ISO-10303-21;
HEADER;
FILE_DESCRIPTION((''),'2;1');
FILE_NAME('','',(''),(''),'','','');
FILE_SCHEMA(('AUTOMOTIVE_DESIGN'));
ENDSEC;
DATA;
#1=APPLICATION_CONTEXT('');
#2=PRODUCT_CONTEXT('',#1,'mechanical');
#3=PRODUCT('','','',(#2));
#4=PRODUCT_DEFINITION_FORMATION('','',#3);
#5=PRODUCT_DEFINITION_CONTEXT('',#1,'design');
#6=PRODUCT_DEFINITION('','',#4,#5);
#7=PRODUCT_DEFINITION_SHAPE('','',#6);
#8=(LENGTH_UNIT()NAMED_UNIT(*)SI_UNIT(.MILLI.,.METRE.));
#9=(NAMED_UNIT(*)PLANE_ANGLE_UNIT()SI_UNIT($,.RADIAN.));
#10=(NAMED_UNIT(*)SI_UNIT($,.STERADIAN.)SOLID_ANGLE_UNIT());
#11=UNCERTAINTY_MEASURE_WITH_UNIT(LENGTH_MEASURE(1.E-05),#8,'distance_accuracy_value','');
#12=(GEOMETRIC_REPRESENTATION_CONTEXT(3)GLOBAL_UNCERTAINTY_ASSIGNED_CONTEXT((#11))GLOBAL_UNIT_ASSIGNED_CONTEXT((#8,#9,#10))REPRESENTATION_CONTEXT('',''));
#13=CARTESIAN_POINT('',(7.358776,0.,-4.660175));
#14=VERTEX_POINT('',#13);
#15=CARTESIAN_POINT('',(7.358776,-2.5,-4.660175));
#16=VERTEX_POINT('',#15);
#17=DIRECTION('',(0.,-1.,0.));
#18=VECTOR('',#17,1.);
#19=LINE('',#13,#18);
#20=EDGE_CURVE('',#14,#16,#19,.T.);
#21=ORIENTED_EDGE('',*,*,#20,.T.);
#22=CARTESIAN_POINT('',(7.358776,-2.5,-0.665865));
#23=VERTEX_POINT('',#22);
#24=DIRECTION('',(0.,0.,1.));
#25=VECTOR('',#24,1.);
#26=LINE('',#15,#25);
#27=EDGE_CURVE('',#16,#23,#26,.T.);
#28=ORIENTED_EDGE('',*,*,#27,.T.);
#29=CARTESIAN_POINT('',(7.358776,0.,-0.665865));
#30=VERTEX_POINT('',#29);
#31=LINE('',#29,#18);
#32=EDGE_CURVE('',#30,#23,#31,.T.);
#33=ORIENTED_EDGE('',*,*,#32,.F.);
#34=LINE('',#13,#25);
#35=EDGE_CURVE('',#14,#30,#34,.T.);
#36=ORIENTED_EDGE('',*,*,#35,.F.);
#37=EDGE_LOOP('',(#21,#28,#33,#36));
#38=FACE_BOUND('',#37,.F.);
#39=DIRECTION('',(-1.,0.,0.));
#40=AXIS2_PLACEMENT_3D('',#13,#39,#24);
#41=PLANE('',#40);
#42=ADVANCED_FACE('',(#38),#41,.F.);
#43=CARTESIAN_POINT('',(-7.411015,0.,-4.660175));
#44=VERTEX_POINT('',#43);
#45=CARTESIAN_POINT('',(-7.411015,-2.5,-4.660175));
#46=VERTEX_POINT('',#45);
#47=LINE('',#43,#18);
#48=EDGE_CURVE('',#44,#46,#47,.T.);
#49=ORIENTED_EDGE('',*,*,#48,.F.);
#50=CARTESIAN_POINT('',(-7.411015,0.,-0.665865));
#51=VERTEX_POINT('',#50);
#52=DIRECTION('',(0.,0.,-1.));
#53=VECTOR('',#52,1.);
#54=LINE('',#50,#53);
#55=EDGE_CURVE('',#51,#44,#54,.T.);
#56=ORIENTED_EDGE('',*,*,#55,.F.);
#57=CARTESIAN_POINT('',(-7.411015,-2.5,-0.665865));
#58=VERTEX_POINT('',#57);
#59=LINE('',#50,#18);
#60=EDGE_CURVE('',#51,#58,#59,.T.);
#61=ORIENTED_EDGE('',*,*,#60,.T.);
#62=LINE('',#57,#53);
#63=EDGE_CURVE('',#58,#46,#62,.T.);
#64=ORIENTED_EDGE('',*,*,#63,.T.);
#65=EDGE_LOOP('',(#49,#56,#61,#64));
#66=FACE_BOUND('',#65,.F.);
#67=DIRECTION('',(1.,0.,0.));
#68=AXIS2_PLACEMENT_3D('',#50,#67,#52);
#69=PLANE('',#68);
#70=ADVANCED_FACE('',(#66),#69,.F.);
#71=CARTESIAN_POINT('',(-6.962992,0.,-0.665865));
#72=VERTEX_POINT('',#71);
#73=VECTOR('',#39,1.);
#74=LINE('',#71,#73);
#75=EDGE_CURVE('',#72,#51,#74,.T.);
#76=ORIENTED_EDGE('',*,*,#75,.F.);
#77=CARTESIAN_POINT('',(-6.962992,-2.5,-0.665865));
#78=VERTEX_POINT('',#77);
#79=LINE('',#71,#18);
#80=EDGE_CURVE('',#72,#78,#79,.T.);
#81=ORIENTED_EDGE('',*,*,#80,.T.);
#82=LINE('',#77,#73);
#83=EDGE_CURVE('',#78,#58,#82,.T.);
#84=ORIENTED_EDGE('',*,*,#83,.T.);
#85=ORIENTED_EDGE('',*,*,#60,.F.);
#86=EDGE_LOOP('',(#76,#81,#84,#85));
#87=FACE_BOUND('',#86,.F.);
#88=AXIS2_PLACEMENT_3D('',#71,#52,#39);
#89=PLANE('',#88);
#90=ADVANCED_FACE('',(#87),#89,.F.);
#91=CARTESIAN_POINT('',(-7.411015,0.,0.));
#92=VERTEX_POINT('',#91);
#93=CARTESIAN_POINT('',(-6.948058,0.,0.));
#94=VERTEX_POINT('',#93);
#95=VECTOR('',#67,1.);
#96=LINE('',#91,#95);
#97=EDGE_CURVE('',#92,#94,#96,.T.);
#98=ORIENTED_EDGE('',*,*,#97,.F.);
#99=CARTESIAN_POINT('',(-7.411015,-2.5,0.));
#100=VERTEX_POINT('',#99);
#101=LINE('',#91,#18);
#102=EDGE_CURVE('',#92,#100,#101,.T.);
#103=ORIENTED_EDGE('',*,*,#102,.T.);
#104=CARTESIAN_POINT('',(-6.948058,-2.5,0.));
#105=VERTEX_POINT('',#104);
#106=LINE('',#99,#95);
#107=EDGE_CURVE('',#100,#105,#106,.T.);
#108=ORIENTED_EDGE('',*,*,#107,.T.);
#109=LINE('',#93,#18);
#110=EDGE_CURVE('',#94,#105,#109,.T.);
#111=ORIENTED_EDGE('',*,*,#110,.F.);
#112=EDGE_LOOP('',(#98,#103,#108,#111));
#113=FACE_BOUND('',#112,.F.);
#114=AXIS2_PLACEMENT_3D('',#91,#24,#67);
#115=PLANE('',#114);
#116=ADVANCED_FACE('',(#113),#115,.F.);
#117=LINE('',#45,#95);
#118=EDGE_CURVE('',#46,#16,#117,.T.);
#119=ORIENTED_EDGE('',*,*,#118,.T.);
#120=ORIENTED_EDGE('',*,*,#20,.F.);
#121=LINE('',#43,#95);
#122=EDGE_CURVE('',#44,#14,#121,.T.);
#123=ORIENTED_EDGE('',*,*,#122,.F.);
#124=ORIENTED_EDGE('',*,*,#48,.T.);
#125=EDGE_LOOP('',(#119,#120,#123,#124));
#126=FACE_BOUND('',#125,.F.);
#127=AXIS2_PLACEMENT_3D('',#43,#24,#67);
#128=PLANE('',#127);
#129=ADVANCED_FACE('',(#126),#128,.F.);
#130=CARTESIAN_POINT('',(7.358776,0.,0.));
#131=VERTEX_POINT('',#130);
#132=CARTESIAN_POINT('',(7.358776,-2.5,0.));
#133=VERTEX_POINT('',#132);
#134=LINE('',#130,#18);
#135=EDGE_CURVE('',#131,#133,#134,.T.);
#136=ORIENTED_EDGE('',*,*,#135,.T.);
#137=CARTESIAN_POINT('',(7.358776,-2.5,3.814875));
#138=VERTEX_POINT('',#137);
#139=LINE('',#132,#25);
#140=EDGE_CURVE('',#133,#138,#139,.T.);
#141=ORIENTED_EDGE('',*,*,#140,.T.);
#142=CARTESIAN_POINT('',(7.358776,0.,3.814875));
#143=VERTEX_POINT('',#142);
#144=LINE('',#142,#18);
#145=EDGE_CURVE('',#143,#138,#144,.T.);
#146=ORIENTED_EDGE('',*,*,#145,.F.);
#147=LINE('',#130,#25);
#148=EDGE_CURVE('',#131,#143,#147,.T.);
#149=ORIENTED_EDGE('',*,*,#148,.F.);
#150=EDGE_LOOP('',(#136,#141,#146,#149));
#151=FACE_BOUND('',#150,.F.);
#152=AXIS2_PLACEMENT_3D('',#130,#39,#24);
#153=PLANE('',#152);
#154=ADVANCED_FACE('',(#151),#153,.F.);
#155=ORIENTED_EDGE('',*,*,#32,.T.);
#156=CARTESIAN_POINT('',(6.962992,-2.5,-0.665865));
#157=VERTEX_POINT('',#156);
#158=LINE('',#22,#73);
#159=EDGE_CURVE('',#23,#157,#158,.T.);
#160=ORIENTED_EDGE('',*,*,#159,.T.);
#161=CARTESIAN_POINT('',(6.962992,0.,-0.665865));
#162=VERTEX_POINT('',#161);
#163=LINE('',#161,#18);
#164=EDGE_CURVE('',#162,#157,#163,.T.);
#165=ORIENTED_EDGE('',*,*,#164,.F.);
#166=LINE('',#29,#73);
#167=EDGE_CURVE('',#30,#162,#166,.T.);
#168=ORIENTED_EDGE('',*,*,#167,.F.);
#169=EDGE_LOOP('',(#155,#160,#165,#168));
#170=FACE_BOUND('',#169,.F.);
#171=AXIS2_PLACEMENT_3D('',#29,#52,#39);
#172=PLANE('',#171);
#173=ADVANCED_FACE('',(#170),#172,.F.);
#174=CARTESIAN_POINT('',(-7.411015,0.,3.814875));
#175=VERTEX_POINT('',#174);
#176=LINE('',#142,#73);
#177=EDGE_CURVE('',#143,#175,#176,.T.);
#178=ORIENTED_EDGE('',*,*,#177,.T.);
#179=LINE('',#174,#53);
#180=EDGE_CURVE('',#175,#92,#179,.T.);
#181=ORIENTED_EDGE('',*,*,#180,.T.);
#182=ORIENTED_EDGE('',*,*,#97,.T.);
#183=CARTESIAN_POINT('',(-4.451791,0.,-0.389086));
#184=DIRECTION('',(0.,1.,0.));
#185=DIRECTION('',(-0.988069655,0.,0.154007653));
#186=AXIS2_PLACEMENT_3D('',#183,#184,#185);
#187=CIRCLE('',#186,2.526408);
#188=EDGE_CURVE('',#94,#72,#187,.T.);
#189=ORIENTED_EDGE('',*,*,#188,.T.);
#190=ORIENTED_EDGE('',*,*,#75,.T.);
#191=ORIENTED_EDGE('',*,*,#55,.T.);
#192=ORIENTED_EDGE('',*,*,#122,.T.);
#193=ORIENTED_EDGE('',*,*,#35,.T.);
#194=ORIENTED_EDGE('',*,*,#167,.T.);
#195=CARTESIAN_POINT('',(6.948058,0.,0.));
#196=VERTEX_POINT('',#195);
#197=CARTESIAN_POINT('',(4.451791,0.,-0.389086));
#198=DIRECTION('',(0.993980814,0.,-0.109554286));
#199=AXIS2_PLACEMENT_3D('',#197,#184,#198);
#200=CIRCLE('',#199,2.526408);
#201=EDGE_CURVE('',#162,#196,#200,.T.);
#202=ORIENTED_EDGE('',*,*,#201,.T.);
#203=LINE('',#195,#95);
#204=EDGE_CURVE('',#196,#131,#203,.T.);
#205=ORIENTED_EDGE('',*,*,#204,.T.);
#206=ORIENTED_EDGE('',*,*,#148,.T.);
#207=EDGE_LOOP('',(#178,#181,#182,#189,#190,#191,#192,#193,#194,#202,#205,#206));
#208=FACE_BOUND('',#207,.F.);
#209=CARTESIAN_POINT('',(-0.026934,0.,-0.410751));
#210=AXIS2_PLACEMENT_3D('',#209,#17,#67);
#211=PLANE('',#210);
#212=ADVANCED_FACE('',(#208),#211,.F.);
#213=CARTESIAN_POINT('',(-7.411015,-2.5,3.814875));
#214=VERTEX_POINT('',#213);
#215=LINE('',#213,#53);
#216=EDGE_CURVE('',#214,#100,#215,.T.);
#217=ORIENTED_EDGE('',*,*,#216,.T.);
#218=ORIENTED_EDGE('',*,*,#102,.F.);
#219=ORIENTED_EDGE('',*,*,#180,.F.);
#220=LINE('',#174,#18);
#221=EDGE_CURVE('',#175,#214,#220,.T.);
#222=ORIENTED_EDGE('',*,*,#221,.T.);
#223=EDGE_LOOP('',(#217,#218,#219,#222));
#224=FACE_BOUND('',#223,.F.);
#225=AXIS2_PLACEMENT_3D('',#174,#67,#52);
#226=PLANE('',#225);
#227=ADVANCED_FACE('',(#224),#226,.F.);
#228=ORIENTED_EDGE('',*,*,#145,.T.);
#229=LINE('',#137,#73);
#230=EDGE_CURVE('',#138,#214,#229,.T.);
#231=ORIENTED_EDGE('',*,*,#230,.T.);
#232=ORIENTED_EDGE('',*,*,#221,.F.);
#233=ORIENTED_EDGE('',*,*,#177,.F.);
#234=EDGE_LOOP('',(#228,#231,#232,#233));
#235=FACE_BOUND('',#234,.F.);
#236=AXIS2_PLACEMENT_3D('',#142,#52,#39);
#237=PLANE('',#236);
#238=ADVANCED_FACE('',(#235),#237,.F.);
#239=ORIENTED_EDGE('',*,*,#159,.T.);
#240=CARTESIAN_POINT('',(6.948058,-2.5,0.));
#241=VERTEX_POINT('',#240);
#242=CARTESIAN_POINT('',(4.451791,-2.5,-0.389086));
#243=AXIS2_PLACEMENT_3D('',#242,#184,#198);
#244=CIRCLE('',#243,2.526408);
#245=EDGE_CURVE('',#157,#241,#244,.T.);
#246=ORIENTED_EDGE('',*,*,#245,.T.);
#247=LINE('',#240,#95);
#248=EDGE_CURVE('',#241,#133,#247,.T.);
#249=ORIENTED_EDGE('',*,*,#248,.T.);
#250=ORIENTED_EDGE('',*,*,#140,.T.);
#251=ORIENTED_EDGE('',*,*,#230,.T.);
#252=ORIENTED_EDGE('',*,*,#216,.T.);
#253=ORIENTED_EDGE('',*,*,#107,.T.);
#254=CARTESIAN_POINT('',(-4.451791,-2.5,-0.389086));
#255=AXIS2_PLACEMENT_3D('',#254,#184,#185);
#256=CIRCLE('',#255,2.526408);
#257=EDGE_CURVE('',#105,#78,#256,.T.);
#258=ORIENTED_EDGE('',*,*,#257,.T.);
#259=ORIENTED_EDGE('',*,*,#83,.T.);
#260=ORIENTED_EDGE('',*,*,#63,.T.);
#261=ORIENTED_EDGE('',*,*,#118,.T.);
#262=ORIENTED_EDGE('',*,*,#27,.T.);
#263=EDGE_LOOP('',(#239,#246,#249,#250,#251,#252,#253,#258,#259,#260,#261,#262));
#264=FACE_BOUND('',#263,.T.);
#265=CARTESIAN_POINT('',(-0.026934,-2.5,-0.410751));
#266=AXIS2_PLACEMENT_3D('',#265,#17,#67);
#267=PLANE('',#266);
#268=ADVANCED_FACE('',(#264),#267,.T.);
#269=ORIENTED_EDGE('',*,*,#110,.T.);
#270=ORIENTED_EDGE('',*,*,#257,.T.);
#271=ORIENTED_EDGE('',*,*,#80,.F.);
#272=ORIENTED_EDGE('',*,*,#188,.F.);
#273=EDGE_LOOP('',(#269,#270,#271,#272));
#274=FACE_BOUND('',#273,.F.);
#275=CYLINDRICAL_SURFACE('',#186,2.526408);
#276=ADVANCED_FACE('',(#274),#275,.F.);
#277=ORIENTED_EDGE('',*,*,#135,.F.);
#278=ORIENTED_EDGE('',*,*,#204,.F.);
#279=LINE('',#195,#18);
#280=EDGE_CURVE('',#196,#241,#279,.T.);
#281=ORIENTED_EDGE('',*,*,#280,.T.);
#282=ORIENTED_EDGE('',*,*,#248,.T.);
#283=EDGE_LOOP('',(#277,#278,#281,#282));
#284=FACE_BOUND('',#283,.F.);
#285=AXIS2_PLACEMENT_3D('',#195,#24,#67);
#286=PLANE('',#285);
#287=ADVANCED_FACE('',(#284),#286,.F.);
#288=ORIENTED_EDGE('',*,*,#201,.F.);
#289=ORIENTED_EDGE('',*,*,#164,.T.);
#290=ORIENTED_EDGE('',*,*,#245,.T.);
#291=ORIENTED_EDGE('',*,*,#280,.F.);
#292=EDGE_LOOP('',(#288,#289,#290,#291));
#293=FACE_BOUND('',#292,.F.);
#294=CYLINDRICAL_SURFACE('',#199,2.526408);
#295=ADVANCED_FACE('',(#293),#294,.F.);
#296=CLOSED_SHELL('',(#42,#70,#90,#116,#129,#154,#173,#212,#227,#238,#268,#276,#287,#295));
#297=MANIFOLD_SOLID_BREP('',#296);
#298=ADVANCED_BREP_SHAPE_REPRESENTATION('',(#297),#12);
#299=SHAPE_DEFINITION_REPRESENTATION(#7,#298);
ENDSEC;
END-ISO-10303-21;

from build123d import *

# Parameters (mm, degrees)
F1_DEPTH = 2.5


with BuildPart() as f1:
    # F0 (on Front) → F1 (new body)
    with BuildSketch(Plane.XZ):
        with BuildLine():
            ThreePointArc((-6.948058, 0), (-1.926018, -0.445733), (-6.962992, -0.665865))
            Line((-6.962992, -0.665865), (-7.411015, -0.665865))
            Line((-7.411015, -0.665865), (-7.411015, -4.660175))
            Line((-7.411015, -4.660175), (-6.811831, -4.660175))
            Line((-6.811831, -4.660175), (7.358776, -4.660175))
            Line((7.358776, -4.660175), (7.358776, -0.665865))
            Line((7.358776, -0.665865), (6.962992, -0.665865))
            ThreePointArc((6.962992, -0.665865), (1.926018, -0.445733), (6.948058, 0))
            Line((6.948058, 0), (7.358776, 0))
            Line((7.358776, 0), (7.358776, 3.814875))
            Line((7.358776, 3.814875), (-6.611224, 3.814875))
            Line((-6.611224, 3.814875), (-7.411015, 3.814875))
            Line((-7.411015, 3.814875), (-7.411015, 0))
            Line((-7.411015, 0), (-6.948058, 0))
        make_face()
    extrude(amount=F1_DEPTH)


solid = f1.part
